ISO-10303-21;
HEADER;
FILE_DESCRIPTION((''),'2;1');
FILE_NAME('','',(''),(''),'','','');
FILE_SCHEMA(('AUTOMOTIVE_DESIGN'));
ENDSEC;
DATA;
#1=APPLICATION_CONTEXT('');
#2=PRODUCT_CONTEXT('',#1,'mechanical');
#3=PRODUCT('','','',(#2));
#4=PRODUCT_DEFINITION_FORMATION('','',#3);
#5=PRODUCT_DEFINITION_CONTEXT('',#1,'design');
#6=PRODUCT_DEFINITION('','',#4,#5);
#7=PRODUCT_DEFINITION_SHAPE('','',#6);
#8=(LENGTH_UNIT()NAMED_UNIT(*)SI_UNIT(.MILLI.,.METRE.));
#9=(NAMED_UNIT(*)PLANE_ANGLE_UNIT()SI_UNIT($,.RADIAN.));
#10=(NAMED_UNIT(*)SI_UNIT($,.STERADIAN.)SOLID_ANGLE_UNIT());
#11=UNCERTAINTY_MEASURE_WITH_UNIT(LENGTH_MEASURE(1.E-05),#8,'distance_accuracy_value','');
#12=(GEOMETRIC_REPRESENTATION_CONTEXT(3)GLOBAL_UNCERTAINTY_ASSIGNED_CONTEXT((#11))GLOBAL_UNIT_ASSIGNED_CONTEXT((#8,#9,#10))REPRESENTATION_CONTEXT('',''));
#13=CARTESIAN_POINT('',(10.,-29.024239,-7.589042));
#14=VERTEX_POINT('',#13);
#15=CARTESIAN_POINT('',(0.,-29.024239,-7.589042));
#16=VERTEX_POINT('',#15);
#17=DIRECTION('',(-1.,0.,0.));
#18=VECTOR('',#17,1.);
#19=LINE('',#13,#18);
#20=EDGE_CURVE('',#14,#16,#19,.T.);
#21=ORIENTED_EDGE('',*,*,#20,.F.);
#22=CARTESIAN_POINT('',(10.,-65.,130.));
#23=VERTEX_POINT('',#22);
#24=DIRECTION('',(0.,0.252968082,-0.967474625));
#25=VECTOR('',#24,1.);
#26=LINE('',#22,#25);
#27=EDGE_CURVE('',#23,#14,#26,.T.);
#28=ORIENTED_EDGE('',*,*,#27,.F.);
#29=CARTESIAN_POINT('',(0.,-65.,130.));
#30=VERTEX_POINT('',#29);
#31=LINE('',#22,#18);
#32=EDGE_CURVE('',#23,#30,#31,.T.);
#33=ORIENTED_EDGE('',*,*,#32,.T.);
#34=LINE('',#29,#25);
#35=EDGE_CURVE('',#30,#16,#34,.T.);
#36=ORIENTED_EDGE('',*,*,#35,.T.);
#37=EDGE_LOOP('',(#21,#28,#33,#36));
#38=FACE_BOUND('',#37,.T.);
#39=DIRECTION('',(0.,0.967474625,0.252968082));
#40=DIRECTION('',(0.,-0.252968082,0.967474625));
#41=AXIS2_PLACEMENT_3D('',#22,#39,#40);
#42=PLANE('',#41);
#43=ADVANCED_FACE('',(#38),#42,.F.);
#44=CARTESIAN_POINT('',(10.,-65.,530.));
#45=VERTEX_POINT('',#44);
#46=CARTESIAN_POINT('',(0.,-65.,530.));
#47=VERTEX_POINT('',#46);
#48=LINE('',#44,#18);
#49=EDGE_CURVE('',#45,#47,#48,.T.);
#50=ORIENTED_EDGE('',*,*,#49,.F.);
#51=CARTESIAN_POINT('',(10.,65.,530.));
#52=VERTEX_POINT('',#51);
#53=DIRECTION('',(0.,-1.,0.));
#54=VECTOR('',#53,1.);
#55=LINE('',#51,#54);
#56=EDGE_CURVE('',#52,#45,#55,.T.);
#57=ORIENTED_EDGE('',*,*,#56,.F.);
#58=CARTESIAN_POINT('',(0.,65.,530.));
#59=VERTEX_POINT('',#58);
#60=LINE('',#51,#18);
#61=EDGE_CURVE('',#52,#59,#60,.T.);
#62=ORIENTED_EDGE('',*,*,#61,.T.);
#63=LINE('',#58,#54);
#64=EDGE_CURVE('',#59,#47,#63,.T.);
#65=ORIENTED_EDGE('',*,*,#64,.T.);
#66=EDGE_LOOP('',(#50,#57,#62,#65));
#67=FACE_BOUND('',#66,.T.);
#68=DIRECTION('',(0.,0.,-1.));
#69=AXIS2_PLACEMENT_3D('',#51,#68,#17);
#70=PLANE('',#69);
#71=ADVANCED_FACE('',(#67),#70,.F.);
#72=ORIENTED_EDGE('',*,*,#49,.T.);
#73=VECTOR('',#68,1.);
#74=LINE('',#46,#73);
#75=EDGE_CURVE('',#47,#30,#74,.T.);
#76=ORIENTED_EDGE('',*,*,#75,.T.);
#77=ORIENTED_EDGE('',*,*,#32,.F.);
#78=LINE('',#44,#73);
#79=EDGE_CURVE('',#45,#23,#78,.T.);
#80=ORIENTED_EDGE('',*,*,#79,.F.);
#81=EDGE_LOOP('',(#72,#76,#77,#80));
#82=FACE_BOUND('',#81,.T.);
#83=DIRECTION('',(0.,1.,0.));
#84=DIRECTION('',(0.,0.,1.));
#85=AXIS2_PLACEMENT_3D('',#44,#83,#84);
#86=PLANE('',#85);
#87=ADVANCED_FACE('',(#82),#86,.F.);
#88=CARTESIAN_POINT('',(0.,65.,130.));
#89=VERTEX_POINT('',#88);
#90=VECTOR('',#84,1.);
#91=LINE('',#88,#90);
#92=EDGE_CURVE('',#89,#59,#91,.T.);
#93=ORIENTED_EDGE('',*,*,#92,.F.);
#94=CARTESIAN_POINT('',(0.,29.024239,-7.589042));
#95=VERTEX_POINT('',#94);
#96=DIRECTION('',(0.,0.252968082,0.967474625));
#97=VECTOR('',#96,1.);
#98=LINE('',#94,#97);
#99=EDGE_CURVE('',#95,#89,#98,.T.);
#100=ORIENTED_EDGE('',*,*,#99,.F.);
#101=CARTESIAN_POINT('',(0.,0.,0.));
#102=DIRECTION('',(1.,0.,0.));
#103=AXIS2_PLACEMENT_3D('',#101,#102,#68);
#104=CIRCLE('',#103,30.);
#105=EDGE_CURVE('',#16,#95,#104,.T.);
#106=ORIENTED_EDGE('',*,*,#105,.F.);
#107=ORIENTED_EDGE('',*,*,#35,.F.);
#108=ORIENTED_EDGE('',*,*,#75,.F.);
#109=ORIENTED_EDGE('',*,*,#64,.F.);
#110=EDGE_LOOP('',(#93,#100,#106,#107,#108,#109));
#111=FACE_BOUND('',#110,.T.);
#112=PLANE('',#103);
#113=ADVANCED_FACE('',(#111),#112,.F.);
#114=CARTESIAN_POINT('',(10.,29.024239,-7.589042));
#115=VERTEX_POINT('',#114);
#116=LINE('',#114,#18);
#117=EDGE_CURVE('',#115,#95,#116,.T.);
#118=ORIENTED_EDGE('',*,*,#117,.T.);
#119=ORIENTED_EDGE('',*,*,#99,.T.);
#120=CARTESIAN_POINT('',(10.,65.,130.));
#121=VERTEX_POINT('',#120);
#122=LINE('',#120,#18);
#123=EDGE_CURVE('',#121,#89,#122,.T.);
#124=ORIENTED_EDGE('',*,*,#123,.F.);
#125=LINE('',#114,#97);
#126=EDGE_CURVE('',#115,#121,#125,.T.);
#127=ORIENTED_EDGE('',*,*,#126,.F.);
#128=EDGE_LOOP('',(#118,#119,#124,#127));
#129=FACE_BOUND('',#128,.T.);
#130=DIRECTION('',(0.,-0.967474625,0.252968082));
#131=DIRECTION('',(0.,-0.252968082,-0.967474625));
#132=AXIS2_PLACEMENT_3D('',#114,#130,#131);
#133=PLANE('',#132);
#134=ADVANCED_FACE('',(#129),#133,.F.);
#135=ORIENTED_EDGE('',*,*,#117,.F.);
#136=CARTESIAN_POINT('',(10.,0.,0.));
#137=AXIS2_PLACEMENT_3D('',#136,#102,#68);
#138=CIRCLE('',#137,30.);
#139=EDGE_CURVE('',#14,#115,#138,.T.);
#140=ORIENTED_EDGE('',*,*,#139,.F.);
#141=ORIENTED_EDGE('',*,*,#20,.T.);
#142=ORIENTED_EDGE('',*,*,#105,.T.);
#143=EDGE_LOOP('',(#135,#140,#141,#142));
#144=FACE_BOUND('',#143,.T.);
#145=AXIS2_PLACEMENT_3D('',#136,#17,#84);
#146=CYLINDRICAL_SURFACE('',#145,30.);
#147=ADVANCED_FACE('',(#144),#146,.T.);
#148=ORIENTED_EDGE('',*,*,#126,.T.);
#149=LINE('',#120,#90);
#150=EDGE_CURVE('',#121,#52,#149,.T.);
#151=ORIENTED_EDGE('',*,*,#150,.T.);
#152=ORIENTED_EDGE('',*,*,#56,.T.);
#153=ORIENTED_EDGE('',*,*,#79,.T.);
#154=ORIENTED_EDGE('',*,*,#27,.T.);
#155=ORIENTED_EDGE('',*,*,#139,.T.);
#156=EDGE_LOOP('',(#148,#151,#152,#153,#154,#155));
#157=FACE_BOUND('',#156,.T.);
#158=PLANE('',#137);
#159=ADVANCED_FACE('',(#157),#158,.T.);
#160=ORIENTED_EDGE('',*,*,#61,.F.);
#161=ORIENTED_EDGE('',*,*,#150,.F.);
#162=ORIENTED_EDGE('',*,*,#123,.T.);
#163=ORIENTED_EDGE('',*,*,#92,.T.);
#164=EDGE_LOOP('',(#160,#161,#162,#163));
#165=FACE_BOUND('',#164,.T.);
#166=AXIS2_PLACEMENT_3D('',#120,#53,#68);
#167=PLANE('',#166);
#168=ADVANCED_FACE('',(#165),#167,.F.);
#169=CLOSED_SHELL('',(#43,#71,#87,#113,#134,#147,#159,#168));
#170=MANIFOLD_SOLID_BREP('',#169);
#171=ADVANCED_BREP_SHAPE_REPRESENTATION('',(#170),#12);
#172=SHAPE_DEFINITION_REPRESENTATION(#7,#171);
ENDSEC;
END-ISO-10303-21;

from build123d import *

# Parameters (mm, degrees)
EXTRUDE_1_DEPTH = 10


with BuildPart() as part:
    # 草图1 → 凸台-拉伸1 (new body)
    with BuildSketch(Plane(origin=(0, 0, 0), x_dir=(0, 0, -1), z_dir=(1, 0, 0))):
        with BuildLine():
            Line((7.589042449, 29.024238745), (-130, 65))
            Line((-130, 65), (-530, 65))
            Line((-530, 65), (-530, -65))
            Line((-530, -65), (-130, -65))
            Line((-130, -65), (7.589042449, -29.024238745))
            ThreePointArc((7.589042449, -29.024238745), (30, 0), (7.589042449, 29.024238745))
        make_face()
    extrude(amount=EXTRUDE_1_DEPTH)


solid = part.part
